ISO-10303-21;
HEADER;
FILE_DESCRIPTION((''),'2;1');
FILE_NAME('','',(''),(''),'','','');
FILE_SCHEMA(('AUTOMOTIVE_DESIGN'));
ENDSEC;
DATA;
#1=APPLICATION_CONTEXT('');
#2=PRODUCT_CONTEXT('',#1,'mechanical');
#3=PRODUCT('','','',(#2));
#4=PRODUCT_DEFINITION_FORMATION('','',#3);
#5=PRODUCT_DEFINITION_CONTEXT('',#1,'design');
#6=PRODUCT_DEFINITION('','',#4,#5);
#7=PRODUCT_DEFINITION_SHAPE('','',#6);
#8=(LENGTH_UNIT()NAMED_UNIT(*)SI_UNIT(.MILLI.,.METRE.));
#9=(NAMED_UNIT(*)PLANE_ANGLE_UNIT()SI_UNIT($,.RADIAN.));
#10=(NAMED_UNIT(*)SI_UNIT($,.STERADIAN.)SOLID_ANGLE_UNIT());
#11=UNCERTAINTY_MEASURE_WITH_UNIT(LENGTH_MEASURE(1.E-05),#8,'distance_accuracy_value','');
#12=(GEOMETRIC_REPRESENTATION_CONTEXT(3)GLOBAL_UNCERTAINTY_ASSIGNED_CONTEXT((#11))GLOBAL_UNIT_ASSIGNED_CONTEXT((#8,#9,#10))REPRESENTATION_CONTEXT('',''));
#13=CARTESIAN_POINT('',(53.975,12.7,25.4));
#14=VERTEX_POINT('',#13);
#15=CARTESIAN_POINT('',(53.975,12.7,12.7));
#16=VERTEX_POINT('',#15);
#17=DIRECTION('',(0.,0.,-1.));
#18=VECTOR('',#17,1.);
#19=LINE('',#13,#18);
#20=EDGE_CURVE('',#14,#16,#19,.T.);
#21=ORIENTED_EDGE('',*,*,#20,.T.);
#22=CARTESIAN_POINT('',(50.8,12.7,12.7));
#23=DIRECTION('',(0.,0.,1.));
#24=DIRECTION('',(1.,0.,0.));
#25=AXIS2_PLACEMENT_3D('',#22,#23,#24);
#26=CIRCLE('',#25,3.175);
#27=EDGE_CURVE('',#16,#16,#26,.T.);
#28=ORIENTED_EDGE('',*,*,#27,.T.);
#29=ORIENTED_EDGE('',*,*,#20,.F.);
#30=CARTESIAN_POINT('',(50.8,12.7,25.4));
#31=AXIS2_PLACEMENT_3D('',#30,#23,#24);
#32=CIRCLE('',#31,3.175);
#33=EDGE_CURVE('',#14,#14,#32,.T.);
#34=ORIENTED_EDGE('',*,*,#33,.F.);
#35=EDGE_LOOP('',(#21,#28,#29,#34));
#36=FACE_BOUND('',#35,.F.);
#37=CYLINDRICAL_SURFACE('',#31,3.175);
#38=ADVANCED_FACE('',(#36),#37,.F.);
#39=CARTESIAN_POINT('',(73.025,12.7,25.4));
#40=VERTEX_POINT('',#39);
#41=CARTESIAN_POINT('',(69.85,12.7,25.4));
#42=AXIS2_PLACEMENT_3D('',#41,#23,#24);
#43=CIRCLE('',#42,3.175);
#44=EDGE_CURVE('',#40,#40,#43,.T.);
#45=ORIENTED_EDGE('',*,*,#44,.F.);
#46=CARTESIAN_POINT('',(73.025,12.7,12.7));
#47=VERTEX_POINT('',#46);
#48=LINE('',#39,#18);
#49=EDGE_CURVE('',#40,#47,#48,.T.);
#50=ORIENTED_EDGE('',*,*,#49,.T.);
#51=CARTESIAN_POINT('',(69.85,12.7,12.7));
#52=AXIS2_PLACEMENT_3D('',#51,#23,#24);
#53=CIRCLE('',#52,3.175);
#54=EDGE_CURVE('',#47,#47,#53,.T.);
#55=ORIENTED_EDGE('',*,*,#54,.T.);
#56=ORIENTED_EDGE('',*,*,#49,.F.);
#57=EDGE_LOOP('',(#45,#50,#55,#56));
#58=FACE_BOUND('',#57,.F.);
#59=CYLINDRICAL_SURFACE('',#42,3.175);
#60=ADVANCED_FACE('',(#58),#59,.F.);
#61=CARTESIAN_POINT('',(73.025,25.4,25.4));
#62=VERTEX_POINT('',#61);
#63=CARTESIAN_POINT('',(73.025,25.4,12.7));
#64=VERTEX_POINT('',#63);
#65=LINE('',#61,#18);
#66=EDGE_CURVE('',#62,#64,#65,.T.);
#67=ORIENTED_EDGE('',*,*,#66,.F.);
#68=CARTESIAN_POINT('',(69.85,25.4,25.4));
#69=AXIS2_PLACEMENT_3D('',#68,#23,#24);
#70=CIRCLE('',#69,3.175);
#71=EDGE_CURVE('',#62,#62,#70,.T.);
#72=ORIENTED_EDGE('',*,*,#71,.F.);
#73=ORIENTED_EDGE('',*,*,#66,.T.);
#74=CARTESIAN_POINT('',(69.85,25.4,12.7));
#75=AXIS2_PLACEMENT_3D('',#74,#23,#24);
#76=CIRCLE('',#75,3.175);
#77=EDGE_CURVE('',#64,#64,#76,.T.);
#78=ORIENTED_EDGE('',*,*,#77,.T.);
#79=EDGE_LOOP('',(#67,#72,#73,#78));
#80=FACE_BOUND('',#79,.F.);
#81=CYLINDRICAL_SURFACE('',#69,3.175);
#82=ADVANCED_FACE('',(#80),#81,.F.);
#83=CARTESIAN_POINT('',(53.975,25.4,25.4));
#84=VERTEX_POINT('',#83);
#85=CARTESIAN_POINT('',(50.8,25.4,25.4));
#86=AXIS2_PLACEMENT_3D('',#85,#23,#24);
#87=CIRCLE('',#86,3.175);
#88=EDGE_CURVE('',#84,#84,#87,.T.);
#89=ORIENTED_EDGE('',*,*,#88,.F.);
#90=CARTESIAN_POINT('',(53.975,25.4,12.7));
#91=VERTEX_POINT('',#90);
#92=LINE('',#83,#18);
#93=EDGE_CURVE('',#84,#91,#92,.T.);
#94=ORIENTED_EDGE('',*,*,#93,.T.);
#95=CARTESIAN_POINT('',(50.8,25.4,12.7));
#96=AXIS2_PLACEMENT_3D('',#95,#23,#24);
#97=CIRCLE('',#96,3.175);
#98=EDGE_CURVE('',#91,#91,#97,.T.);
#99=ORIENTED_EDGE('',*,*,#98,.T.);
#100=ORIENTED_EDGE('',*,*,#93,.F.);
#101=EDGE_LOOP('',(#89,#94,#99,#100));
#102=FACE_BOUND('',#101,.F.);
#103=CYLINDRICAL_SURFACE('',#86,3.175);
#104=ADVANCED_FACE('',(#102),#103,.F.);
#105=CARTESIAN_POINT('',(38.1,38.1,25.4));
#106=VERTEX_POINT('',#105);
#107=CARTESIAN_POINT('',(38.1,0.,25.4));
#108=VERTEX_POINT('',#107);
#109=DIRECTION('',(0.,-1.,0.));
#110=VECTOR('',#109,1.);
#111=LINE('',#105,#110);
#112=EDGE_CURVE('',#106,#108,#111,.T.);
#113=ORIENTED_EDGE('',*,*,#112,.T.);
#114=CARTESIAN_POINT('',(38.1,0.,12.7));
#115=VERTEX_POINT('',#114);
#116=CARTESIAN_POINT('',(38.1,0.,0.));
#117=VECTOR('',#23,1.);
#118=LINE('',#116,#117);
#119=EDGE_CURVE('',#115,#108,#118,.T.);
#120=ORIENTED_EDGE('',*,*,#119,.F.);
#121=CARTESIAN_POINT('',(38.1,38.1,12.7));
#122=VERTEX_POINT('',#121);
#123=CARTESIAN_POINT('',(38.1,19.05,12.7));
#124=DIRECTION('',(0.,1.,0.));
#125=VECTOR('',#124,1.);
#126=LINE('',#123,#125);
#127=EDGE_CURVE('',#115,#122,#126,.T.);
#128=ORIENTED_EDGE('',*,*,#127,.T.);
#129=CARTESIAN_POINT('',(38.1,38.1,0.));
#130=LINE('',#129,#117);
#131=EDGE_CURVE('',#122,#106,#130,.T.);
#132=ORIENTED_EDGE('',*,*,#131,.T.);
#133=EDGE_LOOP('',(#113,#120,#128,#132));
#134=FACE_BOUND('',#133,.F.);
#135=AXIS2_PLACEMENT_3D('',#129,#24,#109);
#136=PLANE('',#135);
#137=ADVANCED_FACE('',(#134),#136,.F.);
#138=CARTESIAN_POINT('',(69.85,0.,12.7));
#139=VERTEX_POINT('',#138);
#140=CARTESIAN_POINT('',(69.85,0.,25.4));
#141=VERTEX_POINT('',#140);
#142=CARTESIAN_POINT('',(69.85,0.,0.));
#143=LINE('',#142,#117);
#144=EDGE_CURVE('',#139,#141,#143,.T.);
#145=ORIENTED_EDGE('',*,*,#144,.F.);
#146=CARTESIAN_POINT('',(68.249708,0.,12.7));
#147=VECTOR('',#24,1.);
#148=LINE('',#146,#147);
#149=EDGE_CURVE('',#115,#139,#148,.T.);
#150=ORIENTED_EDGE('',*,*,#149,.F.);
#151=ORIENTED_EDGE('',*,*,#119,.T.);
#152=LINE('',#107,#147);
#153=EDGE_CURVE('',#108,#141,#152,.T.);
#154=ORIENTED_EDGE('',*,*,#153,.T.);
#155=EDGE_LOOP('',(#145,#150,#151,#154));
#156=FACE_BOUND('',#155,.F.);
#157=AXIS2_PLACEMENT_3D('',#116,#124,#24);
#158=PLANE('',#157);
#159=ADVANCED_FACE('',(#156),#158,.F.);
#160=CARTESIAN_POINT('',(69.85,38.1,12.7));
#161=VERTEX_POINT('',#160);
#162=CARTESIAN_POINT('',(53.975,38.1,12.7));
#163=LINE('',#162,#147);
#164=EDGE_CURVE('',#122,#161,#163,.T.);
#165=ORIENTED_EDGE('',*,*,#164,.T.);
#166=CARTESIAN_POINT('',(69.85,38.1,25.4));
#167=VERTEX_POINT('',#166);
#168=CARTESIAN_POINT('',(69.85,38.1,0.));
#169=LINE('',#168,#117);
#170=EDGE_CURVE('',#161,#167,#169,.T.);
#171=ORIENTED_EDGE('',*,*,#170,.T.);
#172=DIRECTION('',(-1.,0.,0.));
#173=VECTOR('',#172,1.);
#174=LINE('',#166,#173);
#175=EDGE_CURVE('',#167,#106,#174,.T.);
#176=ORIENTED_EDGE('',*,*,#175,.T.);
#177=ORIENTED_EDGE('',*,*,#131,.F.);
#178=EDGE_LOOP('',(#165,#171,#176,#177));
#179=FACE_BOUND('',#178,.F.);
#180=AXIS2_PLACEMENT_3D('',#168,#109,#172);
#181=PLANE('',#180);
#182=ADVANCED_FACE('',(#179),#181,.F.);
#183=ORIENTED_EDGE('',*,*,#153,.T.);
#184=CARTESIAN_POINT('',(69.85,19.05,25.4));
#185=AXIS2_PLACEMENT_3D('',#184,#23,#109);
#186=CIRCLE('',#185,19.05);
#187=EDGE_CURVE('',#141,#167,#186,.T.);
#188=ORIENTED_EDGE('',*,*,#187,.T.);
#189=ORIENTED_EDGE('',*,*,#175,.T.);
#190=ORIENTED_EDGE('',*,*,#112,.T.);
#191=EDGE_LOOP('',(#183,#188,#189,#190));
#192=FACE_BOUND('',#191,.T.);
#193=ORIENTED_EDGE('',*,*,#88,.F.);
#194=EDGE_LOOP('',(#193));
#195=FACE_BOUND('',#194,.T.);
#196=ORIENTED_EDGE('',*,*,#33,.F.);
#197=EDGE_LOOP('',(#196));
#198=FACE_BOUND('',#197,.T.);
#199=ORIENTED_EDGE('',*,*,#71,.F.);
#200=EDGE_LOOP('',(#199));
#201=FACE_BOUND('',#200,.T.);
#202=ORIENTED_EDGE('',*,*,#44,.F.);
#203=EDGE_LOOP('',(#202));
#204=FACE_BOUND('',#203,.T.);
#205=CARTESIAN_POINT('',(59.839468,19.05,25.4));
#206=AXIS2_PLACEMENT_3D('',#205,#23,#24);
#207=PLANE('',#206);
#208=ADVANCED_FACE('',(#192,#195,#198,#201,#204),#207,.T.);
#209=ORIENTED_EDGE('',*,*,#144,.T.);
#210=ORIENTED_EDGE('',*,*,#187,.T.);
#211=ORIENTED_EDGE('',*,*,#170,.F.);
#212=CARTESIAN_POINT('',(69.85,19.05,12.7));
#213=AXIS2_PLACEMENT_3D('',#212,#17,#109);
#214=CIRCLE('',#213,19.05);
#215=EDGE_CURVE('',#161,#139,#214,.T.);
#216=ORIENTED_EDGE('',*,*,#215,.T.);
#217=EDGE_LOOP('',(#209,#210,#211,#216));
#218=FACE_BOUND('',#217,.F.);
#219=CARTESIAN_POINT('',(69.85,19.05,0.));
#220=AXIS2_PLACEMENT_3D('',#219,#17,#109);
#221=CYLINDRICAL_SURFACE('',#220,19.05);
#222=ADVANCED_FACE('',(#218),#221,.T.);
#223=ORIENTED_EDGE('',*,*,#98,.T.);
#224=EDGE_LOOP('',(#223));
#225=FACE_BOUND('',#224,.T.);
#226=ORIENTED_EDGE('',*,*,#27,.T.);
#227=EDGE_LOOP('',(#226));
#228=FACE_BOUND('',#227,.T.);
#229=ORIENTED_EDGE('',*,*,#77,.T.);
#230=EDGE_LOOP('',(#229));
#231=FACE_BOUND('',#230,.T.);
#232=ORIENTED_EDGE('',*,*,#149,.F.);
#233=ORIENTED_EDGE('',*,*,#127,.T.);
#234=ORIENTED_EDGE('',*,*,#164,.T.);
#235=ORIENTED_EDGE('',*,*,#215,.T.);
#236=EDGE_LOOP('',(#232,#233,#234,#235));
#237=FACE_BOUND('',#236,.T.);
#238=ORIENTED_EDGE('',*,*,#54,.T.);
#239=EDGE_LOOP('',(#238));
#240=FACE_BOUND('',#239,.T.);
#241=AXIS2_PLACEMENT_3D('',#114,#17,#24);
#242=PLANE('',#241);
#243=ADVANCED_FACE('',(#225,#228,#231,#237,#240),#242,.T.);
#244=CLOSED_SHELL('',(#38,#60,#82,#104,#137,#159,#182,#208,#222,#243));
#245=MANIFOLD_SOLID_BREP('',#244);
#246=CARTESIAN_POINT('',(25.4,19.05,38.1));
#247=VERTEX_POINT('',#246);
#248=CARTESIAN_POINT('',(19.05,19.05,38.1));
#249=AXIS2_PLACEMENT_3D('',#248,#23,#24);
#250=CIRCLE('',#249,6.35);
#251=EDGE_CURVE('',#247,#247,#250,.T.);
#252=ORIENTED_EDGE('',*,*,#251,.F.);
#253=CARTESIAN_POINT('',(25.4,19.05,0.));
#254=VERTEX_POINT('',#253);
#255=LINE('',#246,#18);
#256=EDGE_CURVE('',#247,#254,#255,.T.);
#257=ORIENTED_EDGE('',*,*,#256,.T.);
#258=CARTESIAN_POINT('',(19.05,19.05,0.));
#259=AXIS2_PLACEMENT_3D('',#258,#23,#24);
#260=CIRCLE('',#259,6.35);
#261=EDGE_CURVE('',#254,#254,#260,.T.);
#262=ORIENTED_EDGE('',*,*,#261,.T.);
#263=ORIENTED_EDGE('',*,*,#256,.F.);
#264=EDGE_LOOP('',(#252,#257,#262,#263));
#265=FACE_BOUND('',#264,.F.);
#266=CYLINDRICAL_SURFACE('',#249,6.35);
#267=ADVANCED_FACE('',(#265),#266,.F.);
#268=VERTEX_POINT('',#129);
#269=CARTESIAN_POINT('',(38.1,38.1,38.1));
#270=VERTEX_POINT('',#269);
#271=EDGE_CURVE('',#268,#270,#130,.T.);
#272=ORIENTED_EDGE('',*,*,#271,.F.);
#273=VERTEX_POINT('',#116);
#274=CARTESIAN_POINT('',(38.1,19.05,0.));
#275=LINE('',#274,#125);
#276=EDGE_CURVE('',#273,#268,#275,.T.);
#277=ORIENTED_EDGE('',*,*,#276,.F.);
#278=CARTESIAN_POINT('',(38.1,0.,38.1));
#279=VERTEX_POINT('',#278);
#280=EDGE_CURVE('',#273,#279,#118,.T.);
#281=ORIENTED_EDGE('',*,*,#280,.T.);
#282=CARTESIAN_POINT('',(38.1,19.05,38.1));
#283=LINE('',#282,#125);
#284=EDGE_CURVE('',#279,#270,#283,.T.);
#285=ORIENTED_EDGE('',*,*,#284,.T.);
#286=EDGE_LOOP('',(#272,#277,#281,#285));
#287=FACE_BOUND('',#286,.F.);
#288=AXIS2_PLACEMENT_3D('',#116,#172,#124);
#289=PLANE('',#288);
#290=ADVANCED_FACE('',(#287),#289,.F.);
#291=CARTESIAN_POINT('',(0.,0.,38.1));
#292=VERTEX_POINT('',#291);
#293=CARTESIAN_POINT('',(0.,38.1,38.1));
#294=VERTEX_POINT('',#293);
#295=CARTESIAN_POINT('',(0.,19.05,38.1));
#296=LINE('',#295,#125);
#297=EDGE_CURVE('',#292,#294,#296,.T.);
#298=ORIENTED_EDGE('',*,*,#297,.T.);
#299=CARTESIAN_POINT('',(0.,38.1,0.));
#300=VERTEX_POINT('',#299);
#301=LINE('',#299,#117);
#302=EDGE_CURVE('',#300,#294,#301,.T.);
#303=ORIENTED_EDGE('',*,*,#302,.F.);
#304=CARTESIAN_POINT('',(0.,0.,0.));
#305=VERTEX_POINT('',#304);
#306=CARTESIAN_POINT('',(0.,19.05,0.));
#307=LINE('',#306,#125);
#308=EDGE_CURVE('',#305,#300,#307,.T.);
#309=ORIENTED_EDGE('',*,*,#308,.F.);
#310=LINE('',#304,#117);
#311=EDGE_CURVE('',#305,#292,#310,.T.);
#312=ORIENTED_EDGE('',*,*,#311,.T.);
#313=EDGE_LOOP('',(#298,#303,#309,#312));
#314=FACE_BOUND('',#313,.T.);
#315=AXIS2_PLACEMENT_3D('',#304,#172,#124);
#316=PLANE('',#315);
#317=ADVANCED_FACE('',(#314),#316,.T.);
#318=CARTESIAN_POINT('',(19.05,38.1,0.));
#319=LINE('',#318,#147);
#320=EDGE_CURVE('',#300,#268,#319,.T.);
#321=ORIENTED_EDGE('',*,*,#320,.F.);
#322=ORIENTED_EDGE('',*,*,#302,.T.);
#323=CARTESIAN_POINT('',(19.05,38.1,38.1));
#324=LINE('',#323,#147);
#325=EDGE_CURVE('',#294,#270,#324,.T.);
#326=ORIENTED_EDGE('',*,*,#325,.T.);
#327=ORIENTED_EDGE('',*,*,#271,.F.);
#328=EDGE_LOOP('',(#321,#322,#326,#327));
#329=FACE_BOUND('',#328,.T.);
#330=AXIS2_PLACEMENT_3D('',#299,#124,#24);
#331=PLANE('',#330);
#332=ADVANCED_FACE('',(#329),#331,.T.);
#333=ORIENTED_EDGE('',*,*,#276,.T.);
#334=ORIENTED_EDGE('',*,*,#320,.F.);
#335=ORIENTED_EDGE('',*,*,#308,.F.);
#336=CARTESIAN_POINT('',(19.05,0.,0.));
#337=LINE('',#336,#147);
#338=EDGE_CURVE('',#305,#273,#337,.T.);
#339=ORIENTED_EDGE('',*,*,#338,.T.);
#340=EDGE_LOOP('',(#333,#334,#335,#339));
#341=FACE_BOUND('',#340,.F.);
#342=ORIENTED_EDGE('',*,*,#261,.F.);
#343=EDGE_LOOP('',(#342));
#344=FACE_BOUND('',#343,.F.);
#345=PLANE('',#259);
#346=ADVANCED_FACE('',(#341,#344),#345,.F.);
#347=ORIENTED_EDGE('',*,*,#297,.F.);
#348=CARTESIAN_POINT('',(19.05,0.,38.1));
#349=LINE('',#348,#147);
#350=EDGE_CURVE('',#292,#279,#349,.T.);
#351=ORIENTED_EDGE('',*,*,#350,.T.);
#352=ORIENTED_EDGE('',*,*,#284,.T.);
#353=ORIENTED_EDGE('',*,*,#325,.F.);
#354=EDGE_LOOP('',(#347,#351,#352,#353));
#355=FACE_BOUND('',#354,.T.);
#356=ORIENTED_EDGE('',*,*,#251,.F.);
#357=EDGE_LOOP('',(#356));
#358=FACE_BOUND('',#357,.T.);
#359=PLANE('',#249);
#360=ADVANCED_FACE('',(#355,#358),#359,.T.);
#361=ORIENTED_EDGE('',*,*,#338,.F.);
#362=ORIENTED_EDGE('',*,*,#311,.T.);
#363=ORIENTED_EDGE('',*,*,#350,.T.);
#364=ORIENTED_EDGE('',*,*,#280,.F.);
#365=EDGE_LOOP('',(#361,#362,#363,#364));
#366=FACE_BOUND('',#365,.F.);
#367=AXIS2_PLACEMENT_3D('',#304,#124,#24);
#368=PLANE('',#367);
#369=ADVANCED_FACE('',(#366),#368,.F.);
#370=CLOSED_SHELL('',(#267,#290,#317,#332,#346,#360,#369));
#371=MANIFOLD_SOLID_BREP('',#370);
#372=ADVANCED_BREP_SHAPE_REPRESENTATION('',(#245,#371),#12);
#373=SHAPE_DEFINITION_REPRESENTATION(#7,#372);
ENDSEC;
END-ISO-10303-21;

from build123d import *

# Parameters (mm, degrees)
F0_W     = 38.1
F0_H     = 38.1
F1_DEPTH = 38.1
F2_DEPTH = 25.4
F3_W     = 60.299417
F3_H     = 12.7
F4_DEPTH = 38.101
F5_R     = 6.35
F6_DEPTH = 38.101
F7_R     = 3.175
F8_DEPTH = 25.401


with BuildPart() as f1:
    # F0 (on Top) → F1 (new body)
    with BuildSketch(Plane.XY):
        with Locations((19.05, 19.05)):
            Rectangle(F0_W, F0_H)
    extrude(amount=F1_DEPTH)

    # F5 (on face) → F6 (cut, through all)
    with BuildSketch(Plane.XY.offset(38.1)):
        with Locations((19.05, 19.05)):
            Circle(F5_R)
    extrude(amount=-F6_DEPTH, mode=Mode.SUBTRACT)


with BuildPart() as f2:
    # F0 (on Top) → F2 (new body)
    with BuildSketch(Plane.XY):
        with BuildLine():
            Line((38.1, 38.1), (38.1, 0))
            Line((38.1, 0), (69.85, 0))
            ThreePointArc((69.85, 0), (88.9, 19.05), (69.85, 38.1))
            Line((69.85, 38.1), (38.1, 38.1))
        make_face()
    extrude(amount=F2_DEPTH)

    # F3 (on Front) → F4 (cut, through all)
    with BuildSketch(Plane.XZ):
        with Locations((68.249708, 6.35)):
            Rectangle(F3_W, F3_H)
    extrude(amount=-F4_DEPTH, mode=Mode.SUBTRACT)

    # F7 (on face) → F8 (cut, through all)
    with BuildSketch(Plane.XY.offset(25.4)):
        with Locations((50.8, 25.4)):
            Circle(F7_R)
        with Locations((69.85, 25.4)):
            Circle(F7_R)
        with Locations((50.8, 12.7)):
            Circle(F7_R)
        with Locations((69.85, 12.7)):
            Circle(F7_R)
    extrude(amount=-F8_DEPTH, mode=Mode.SUBTRACT)


solid = Compound([f1.part, f2.part])
